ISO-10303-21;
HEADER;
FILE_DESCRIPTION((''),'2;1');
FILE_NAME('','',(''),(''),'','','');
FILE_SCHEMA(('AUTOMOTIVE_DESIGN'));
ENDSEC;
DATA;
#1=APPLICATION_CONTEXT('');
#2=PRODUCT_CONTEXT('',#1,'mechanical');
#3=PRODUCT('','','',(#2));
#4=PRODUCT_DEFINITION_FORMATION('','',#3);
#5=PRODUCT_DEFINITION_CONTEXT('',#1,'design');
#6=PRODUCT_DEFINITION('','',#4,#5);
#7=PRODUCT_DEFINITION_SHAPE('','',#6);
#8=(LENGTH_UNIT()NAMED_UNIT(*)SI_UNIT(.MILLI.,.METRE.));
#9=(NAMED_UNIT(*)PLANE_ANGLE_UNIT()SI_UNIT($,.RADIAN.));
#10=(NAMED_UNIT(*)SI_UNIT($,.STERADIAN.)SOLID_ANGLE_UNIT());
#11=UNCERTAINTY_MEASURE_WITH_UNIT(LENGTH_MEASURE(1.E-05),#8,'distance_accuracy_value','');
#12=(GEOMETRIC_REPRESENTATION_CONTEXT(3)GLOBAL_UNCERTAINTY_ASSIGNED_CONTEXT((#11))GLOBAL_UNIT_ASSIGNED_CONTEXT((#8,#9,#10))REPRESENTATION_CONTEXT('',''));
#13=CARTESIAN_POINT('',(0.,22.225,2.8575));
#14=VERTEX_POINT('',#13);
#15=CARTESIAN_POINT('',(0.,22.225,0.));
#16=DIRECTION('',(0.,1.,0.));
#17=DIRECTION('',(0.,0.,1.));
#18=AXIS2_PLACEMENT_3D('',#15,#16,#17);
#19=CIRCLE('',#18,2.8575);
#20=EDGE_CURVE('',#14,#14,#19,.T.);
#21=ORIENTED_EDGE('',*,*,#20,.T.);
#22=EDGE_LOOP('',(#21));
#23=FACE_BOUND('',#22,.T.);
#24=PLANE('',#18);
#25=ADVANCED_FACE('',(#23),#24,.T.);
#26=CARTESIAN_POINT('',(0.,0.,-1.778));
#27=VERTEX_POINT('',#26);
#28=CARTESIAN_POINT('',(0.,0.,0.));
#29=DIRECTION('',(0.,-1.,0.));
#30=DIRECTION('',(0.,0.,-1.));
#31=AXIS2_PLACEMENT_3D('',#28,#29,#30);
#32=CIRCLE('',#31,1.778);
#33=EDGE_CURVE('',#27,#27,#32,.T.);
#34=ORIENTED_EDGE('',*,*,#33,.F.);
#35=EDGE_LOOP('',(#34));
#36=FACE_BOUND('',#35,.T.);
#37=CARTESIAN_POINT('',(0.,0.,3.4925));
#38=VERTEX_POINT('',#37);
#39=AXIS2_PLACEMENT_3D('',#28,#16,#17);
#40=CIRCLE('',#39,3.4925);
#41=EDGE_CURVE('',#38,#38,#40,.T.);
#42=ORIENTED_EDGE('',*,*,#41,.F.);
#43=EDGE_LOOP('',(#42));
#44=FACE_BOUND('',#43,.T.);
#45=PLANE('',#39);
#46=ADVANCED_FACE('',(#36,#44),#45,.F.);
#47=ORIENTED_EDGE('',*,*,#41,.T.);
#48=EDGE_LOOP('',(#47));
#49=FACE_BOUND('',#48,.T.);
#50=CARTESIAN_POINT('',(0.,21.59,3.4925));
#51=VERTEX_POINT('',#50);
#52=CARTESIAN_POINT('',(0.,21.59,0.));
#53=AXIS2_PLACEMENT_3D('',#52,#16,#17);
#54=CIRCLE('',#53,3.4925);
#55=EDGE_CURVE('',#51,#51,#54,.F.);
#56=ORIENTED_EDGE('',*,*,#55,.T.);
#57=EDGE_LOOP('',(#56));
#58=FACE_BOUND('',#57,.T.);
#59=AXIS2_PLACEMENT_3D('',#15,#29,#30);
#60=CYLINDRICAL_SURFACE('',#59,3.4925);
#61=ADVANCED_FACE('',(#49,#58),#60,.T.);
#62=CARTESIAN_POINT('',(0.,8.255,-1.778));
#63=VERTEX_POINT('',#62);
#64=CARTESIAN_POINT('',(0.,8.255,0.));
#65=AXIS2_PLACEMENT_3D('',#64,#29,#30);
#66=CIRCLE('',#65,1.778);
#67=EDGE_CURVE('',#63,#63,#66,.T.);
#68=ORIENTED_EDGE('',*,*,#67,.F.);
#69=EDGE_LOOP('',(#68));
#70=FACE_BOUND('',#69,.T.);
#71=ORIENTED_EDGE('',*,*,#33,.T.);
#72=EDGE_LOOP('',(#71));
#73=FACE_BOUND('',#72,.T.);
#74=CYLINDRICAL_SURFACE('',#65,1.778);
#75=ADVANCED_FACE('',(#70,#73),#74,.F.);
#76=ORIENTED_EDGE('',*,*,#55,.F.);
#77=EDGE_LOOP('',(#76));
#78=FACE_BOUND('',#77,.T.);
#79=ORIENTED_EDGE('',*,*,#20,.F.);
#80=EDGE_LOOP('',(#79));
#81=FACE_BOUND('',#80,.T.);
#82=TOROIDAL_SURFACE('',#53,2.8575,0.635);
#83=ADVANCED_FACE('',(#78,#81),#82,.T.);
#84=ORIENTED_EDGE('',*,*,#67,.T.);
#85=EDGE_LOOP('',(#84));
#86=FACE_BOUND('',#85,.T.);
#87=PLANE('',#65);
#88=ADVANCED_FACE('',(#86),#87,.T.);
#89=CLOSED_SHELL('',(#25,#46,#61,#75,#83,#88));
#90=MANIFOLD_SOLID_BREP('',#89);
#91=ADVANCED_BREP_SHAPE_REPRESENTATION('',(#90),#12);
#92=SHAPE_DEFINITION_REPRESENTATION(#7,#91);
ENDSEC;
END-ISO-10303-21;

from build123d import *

# Parameters (mm, degrees)
SKETCH1_R           = 3.4925
BOSS_EXTRUDE1_DEPTH = 22.225
FILLET1_R           = 0.635
SKETCH2_R           = 1.778
CUT_EXTRUDE1_DEPTH  = 8.255


with BuildPart() as part:
    # Sketch1 → Boss-Extrude1 (new body)
    with BuildSketch(Plane(origin=(0, 0, 0), x_dir=(1, 0, 0), z_dir=(0, 1, 0))):
        Circle(SKETCH1_R)
    extrude(amount=BOSS_EXTRUDE1_DEPTH)

    # Fillet1
    fillet1_edges = [part.edges().sort_by_distance(p)[0] for p in [
        (-3.4925, 22.225, 0),
    ]]
    fillet(fillet1_edges, radius=FILLET1_R)

    # Sketch2 → Cut-Extrude1 (cut)
    with BuildSketch(Plane.XZ):
        Circle(SKETCH2_R)
    extrude(amount=-CUT_EXTRUDE1_DEPTH, mode=Mode.SUBTRACT)


solid = part.part
